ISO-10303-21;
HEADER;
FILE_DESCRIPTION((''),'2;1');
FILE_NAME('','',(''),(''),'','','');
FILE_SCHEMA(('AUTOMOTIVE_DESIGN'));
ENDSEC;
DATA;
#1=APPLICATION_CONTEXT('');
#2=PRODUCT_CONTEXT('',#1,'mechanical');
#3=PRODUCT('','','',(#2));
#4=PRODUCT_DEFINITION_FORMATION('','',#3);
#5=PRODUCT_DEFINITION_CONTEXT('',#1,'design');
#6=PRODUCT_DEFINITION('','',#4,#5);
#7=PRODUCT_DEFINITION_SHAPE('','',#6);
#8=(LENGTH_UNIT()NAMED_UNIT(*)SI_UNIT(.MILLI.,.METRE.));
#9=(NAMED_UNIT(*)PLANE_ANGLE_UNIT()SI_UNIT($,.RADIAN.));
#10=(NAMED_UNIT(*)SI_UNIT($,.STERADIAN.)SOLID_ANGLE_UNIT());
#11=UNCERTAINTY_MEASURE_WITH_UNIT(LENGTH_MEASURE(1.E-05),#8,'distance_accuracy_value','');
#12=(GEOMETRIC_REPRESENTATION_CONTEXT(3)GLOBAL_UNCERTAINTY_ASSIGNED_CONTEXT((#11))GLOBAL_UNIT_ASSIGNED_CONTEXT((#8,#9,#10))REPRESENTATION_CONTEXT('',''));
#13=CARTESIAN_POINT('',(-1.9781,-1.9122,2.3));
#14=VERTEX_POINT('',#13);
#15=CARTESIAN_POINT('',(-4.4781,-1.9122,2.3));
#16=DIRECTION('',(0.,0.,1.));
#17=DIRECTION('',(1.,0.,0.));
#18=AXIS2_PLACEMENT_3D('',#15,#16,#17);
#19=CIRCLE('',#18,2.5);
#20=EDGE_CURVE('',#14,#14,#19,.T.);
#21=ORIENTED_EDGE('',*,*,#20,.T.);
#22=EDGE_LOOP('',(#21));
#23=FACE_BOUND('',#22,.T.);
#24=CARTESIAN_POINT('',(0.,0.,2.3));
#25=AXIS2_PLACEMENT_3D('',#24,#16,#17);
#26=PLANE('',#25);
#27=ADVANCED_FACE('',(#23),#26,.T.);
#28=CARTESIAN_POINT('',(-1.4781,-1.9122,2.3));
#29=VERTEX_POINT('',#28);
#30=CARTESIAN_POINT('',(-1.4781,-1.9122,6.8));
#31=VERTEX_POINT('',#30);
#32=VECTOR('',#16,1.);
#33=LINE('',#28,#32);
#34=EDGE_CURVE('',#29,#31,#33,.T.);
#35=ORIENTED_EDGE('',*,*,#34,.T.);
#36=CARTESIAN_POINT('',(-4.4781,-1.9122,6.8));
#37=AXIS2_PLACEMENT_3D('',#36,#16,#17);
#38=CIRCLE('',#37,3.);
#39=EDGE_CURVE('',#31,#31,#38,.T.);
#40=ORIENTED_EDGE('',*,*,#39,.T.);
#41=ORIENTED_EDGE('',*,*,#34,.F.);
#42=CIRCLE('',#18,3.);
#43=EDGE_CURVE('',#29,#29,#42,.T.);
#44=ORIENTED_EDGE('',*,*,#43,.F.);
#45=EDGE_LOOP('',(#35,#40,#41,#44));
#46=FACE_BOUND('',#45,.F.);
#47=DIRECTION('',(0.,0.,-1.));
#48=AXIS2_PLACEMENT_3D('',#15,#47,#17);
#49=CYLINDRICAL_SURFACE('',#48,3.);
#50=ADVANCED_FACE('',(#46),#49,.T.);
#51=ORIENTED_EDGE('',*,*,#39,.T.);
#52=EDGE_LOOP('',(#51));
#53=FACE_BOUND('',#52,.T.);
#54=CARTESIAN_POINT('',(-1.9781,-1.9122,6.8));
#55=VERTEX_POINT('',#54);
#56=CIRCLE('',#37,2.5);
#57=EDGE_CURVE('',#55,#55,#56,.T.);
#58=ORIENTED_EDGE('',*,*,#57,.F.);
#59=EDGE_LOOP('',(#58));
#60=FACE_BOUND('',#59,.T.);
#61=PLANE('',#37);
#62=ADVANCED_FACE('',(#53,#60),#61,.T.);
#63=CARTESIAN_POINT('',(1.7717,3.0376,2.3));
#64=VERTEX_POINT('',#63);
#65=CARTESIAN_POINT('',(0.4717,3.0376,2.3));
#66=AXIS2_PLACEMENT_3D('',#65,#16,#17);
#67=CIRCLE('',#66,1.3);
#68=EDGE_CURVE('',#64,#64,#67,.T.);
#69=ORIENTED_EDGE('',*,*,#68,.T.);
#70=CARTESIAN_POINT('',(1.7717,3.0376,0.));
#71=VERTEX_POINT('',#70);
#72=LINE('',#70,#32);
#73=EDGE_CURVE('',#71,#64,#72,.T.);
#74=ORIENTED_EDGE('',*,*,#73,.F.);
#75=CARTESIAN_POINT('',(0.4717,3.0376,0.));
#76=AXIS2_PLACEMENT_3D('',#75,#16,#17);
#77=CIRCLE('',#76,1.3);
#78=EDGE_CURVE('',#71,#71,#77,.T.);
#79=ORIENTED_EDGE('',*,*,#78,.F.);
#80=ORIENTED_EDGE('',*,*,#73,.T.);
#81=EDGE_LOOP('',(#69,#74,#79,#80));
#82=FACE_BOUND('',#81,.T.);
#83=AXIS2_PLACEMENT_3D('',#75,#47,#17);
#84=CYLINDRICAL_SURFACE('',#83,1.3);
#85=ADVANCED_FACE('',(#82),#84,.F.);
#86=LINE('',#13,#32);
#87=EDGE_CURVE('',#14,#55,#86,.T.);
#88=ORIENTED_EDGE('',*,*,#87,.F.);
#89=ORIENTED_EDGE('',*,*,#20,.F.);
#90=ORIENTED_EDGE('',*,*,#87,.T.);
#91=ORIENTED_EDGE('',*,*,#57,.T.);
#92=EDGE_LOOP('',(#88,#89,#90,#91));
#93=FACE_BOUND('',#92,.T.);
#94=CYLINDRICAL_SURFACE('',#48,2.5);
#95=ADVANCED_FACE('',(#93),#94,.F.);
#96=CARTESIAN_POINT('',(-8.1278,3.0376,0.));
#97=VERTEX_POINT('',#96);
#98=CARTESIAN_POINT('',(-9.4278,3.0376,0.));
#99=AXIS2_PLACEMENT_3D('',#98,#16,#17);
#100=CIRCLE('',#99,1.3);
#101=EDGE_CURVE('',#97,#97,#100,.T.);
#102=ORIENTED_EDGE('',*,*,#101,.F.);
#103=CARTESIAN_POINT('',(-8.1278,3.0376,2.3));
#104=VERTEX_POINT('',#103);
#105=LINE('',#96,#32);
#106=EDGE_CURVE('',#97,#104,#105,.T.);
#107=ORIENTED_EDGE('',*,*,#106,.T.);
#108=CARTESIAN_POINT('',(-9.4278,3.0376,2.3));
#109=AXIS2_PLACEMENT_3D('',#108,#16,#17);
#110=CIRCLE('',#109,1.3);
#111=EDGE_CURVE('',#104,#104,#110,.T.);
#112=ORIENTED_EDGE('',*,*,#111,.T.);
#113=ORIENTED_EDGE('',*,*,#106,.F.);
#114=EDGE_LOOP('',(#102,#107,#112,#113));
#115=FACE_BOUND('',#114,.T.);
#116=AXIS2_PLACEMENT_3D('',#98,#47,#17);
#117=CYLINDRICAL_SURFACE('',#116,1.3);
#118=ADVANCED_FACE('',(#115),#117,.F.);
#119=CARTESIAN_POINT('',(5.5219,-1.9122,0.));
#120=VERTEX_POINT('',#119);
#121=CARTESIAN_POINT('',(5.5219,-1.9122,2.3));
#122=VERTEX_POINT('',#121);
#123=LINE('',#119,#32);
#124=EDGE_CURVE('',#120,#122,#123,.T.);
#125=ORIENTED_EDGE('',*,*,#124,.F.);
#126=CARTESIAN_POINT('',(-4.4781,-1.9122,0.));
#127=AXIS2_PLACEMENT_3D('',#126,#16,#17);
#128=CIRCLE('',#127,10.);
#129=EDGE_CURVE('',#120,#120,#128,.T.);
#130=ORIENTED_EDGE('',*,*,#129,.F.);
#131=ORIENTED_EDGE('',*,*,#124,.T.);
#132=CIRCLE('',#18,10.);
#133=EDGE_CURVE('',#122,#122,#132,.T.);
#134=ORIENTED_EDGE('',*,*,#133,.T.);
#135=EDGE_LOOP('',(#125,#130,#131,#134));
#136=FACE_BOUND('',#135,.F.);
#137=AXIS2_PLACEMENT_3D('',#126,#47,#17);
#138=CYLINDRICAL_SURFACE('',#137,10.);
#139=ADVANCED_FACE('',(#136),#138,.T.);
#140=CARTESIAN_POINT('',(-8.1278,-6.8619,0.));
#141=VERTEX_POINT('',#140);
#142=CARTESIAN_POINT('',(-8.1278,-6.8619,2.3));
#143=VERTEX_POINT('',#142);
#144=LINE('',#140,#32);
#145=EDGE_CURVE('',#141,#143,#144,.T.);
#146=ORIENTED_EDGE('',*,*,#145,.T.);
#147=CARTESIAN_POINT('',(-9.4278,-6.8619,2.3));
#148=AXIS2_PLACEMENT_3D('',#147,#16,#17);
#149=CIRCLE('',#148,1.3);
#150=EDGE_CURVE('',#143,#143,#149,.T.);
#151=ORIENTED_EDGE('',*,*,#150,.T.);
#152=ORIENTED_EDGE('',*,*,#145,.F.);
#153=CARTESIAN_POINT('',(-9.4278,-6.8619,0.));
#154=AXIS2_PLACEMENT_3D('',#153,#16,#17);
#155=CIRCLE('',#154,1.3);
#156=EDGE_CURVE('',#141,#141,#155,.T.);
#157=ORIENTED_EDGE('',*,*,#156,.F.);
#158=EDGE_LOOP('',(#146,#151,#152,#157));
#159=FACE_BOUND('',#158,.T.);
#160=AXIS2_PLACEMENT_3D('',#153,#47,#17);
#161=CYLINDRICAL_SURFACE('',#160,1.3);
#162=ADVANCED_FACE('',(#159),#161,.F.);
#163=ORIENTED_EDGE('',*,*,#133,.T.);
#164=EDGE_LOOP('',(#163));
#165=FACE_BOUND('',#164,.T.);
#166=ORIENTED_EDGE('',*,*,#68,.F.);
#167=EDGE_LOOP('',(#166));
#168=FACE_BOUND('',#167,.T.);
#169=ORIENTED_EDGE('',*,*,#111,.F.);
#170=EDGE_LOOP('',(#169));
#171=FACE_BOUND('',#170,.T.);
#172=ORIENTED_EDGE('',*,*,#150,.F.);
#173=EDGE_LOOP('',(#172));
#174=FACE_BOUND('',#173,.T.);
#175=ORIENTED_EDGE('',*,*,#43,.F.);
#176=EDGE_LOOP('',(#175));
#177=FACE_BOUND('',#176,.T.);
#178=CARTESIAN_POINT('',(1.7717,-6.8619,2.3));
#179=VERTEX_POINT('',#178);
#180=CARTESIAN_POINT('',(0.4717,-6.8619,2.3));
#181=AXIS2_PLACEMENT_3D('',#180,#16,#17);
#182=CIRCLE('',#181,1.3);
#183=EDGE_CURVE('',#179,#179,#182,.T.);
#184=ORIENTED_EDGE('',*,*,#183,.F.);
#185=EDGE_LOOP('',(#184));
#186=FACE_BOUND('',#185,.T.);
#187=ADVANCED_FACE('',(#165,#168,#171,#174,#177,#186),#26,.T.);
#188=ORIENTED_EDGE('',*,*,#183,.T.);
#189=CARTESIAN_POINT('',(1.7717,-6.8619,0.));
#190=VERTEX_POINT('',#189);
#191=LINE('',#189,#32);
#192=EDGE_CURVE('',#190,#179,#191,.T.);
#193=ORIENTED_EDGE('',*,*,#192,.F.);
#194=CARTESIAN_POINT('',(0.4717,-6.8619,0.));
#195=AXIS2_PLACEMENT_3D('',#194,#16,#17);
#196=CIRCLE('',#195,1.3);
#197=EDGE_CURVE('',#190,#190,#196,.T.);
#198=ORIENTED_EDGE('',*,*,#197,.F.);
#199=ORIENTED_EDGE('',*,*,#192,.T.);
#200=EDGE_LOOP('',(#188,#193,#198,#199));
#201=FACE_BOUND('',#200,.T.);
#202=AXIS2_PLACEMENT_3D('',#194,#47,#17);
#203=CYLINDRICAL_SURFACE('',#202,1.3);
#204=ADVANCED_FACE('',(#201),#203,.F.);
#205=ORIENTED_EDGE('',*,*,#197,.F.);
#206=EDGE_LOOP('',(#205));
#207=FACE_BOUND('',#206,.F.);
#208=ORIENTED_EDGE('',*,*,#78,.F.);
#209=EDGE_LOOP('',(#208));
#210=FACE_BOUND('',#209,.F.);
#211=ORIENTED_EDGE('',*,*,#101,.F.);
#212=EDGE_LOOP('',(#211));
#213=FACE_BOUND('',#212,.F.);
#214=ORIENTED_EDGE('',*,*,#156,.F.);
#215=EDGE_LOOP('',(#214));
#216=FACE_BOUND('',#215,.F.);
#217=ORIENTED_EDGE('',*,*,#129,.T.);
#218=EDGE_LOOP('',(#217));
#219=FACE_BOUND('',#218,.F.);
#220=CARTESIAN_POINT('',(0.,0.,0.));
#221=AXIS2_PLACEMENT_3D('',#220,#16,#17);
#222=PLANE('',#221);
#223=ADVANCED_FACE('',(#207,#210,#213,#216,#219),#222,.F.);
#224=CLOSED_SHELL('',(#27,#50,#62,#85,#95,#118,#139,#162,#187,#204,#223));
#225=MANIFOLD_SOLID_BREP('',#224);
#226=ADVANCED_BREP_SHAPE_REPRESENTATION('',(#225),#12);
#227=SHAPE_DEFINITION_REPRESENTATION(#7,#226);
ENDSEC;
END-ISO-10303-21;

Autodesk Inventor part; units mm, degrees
ref_plane "YZ Plane" through (0, 0, 0) normal (1, 0, 0) x (0, 1, 0)
ref_plane "XZ Plane" through (0, 0, 0) normal (0, 1, 0) x (-1, 0, 0)
ref_plane "XY Plane" through (0, 0, 0) normal (0, 0, 1) x (1, 0, 0)
sketch "스케치1" plane through (0, 0, 0) normal (0, 0, 1) x (1, 0, 0)
  circle A0 centre (0.4717, -6.8619) radius 1.3
  circle A1 centre (0.4717, 3.0376) radius 1.3
  circle A2 centre (-9.4278, 3.0376) radius 1.3
  circle A3 centre (-9.4278, -6.8619) radius 1.3
  circle A4 centre (-4.4781, -1.9122) radius 10
  circle A5 centre (-4.4781, -1.9122) radius 5.5
  circle A6 centre (-4.4781, -1.9122) radius 10 projected
  circle A7 centre (0.4717, -6.8619) radius 1.3 projected
  circle A8 centre (0.4717, 3.0376) radius 1.3 projected
  circle A9 centre (-9.4278, 3.0376) radius 1.3 projected
  circle A10 centre (-9.4278, -6.8619) radius 1.3 projected
  point P0 (0, 0)
  dimension "d6" = 20
  dimension "d7" = 11
  dimension "d8" = 2.6
  dimension "d9" = 2.6
  dimension "d10" = 2.6
  dimension "d11" = 2.6
extrude "돌출1" add sketch "스케치1" along normal blind 2.3 contours A4 | A5
sketch "스케치2" plane through (-4.4781, -1.9122, 2.3) normal (0, 0, 1) x (1, 0, 0)
  circle A0 centre (0, 0) radius 10 projected
  circle A1 centre (0, 0) radius 3
  circle A2 centre (0, 0) radius 2.5
  dimension "d2" = 6
  dimension "d5" = 5
extrude "돌출2" add sketch "스케치2" along normal blind 4.5 contours A1
properties part number "SAFRS-P-0013"
